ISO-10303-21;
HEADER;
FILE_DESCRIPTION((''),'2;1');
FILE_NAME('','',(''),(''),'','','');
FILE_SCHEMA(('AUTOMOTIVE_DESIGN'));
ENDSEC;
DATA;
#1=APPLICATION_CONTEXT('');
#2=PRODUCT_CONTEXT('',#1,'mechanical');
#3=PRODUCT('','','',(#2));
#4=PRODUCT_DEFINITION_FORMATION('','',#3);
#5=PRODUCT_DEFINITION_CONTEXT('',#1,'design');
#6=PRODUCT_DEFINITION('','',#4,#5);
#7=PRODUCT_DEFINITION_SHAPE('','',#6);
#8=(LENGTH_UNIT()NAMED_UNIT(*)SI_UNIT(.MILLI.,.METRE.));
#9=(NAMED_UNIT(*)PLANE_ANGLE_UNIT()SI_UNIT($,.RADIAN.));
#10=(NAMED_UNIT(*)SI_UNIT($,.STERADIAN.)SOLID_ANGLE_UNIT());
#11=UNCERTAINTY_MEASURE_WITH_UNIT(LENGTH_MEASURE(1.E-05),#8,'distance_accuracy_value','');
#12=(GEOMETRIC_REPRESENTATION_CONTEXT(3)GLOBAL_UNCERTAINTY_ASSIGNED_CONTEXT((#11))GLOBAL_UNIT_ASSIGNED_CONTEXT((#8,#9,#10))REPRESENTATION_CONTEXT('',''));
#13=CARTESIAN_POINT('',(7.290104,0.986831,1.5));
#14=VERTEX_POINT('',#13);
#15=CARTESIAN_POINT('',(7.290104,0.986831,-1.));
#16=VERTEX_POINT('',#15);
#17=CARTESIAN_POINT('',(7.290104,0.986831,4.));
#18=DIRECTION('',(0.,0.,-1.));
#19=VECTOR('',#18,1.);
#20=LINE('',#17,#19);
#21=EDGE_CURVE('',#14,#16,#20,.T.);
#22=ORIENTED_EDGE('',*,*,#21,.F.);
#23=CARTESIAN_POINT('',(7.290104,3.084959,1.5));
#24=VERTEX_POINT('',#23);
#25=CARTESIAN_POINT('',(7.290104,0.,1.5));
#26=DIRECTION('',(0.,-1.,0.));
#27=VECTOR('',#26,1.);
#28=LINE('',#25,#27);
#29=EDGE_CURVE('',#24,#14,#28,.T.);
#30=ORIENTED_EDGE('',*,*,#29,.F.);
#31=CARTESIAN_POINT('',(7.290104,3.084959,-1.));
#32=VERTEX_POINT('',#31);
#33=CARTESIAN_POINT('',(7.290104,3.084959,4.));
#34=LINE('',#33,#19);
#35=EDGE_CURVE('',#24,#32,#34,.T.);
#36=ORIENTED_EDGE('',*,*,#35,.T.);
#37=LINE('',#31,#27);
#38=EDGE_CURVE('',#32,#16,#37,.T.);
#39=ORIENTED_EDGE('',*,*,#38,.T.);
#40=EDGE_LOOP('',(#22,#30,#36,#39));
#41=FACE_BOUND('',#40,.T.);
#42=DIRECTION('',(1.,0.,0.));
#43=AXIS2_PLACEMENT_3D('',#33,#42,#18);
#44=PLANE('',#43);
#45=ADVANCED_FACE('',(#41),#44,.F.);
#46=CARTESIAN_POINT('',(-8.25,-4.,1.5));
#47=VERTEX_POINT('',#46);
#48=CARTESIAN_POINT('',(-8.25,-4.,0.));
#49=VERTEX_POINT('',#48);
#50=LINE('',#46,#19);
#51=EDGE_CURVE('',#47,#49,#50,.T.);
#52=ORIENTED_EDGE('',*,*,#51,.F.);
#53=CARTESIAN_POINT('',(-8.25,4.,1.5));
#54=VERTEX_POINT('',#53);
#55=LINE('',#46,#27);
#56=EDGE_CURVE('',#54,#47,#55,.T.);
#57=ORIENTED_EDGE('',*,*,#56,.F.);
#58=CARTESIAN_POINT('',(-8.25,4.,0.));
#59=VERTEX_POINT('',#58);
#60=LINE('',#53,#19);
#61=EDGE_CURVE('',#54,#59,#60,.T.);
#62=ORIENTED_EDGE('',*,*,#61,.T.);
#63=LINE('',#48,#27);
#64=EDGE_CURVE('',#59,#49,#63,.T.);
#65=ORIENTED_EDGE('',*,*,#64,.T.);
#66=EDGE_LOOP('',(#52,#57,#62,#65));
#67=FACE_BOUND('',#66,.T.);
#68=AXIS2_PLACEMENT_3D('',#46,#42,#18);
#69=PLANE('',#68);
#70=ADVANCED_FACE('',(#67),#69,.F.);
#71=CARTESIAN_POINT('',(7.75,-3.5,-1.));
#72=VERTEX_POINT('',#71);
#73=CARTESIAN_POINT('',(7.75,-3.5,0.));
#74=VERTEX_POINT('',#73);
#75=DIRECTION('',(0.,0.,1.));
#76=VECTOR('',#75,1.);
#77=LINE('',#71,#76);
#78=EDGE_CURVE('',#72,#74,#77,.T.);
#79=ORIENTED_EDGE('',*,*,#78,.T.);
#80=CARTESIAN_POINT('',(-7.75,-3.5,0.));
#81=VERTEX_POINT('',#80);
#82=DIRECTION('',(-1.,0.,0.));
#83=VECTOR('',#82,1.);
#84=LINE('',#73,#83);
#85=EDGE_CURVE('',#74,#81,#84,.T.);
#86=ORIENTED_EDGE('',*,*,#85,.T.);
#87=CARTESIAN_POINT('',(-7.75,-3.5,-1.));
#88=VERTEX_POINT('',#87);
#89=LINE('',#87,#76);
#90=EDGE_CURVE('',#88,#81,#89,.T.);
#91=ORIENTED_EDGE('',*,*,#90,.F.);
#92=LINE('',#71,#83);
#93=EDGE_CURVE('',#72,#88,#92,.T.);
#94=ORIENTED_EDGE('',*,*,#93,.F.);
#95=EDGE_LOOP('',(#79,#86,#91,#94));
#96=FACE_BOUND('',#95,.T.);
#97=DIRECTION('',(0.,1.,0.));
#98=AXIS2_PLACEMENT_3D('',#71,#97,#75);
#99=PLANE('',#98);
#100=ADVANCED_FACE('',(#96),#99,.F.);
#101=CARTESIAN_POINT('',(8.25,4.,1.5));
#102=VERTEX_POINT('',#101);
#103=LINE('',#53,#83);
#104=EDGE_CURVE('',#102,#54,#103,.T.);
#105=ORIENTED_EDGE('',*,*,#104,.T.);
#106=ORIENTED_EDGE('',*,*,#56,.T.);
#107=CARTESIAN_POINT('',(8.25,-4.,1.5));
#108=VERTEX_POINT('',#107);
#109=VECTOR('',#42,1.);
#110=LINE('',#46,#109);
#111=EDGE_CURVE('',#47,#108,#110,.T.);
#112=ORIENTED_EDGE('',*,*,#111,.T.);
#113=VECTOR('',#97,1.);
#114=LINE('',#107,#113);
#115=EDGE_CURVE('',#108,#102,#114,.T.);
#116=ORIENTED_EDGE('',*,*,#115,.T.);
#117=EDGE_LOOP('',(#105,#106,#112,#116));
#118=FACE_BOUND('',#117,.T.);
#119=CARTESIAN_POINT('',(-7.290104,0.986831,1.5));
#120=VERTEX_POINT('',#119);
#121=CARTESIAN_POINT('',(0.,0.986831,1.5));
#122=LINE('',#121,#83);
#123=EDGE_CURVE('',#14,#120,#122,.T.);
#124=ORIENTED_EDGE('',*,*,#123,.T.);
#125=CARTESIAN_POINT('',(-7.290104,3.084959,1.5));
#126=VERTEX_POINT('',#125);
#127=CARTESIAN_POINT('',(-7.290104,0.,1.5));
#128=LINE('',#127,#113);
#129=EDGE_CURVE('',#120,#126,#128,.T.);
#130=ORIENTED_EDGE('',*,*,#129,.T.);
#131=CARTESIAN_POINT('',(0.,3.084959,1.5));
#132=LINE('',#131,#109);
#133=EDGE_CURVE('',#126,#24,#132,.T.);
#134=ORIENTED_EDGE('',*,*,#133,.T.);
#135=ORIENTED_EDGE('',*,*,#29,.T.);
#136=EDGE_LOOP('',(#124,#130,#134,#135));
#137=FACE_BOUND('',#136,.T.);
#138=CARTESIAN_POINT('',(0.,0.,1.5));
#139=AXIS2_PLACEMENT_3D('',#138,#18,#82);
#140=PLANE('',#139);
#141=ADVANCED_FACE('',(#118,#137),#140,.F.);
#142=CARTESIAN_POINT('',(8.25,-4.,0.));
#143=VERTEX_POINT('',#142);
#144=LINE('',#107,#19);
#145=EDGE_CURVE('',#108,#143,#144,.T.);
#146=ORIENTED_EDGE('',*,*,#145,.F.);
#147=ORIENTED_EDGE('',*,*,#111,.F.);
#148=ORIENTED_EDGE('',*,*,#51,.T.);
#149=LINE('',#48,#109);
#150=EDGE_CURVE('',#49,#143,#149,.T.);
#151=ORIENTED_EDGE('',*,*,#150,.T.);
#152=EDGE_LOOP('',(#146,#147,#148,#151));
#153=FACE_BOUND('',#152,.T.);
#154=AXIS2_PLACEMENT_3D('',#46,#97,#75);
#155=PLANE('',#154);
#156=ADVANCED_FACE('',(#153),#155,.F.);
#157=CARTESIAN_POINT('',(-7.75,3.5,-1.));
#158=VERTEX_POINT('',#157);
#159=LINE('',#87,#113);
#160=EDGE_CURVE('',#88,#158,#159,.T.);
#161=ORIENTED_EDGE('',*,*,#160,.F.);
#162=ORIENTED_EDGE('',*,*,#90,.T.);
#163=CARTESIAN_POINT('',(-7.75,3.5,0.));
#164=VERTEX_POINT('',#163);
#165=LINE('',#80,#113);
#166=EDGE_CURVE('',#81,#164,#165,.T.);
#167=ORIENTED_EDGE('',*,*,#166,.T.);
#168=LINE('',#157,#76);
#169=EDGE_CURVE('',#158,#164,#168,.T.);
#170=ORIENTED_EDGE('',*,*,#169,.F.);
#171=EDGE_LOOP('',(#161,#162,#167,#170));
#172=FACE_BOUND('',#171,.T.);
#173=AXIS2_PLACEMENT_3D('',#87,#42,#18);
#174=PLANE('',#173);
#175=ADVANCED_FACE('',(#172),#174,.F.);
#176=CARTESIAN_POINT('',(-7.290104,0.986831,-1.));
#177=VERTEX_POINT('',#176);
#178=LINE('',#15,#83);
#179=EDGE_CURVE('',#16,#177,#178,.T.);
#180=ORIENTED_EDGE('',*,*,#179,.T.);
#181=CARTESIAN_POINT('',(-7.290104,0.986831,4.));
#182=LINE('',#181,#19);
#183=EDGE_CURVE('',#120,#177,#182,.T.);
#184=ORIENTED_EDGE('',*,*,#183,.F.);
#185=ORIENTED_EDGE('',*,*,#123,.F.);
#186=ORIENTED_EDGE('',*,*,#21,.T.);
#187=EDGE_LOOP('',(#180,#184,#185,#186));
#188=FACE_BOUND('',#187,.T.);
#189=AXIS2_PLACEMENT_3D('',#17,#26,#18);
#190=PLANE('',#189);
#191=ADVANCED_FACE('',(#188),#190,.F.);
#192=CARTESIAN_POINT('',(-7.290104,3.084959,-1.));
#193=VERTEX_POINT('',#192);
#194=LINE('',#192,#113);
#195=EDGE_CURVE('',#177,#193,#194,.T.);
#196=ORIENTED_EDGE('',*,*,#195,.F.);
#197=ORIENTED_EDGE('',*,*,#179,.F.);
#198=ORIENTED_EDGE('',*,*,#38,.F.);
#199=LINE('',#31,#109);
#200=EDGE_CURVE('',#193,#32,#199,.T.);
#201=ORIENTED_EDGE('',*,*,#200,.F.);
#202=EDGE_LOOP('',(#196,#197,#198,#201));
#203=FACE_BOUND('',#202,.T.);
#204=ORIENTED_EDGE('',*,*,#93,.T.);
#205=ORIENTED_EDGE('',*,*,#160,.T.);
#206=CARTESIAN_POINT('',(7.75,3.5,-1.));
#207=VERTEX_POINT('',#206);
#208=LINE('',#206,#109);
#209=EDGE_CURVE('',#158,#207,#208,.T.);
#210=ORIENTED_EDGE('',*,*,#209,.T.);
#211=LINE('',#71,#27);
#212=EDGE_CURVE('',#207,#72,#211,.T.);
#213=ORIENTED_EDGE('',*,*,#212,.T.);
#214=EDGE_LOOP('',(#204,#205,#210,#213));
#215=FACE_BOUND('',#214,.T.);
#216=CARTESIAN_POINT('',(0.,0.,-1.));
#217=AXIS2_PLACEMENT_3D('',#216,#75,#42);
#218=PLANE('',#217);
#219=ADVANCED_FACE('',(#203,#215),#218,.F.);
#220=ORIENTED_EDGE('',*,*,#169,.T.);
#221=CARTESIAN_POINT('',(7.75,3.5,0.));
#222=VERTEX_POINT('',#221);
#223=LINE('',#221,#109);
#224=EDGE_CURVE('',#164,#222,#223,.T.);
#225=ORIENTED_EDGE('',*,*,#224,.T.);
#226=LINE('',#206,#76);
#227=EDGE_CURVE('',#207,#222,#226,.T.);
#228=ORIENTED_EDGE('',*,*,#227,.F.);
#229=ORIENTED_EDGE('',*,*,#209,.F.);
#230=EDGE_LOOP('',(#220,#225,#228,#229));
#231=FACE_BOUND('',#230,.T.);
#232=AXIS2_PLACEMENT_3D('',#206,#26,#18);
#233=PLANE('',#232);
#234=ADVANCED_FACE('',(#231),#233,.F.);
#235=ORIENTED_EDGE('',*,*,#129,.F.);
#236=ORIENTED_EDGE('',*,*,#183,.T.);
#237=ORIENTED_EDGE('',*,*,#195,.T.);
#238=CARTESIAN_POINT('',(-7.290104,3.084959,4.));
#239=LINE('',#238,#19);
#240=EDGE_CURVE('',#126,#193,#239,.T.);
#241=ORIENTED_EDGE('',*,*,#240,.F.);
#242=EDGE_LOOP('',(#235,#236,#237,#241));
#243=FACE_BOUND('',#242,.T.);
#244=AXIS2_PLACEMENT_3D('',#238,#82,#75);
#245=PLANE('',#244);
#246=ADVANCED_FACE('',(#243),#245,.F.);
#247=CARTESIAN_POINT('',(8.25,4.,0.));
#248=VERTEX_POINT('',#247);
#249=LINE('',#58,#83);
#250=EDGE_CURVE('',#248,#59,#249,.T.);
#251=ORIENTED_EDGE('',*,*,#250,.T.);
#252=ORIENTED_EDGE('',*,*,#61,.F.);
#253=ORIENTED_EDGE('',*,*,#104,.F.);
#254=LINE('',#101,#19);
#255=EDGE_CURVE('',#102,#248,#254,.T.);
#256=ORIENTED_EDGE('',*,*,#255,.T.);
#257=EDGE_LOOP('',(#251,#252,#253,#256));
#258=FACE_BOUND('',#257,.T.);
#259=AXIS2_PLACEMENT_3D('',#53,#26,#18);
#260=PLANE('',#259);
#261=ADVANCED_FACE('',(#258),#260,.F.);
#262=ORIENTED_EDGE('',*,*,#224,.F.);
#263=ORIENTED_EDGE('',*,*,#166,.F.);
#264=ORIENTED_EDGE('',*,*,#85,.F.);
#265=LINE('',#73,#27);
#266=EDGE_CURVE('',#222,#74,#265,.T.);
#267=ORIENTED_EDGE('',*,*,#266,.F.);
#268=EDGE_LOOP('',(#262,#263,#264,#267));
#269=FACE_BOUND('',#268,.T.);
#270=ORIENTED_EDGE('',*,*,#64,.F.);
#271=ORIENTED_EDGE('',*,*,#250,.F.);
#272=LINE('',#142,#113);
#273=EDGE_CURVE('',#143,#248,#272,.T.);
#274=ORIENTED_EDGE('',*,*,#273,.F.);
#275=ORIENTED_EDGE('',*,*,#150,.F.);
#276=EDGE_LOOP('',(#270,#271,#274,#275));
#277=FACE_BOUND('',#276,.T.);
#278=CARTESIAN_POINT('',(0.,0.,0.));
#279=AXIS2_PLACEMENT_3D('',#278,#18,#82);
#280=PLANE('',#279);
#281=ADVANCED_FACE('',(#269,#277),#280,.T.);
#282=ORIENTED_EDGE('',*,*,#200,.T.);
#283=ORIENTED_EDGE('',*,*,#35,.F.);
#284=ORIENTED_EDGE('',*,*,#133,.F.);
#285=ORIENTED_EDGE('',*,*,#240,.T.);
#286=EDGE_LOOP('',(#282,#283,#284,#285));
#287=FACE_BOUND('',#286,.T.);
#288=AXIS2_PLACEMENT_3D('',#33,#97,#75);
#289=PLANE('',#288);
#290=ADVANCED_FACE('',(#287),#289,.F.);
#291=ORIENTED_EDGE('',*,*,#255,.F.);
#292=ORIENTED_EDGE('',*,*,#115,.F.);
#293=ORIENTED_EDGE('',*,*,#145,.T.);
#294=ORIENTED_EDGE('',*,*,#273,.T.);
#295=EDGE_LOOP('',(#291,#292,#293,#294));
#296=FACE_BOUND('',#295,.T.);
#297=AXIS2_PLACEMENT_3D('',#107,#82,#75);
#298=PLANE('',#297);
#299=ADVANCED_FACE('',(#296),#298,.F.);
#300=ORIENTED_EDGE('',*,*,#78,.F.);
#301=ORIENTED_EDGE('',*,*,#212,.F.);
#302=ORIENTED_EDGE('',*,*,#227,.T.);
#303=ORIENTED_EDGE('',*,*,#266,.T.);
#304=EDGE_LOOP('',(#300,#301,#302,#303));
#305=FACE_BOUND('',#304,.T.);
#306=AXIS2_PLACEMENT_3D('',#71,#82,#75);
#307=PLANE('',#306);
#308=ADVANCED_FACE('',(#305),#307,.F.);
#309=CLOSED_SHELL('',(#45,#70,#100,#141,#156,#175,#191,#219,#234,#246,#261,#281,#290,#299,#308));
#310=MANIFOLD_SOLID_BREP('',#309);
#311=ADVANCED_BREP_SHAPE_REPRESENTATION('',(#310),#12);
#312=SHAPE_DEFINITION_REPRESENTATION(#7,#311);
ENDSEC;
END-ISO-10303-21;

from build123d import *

# Parameters (mm, degrees)
SKETCH1_W           = 16.5
SKETCH1_H           = 8
BOSS_EXTRUDE1_DEPTH = 1.5
SKETCH2_W           = 15.5
SKETCH2_H           = 7
BOSS_EXTRUDE2_DEPTH = 1
SKETCH3_W           = 14.580207812
SKETCH3_H           = 2.098127465
CUT_EXTRUDE2_DEPTH  = 5


with BuildPart() as part:
    # Sketch1 → Boss-Extrude1 (new body)
    with BuildSketch(Plane.XY):
        Rectangle(SKETCH1_W, SKETCH1_H)
    extrude(amount=BOSS_EXTRUDE1_DEPTH)

    # Sketch2 → Boss-Extrude2 (add)
    with BuildSketch(Plane(origin=(0, 0, 0), x_dir=(-1, 0, 0), z_dir=(0, 0, -1))):
        Rectangle(SKETCH2_W, SKETCH2_H)
    extrude(amount=BOSS_EXTRUDE2_DEPTH)

    # Sketch3 → Cut-Extrude2 (cut)
    with BuildSketch(Plane(origin=(0, 0, -1), x_dir=(-1, 0, 0), z_dir=(0, 0, -1))):
        with Locations((0, 2.035894872)):
            Rectangle(SKETCH3_W, SKETCH3_H)
    extrude(amount=-CUT_EXTRUDE2_DEPTH, mode=Mode.SUBTRACT)


solid = part.part
